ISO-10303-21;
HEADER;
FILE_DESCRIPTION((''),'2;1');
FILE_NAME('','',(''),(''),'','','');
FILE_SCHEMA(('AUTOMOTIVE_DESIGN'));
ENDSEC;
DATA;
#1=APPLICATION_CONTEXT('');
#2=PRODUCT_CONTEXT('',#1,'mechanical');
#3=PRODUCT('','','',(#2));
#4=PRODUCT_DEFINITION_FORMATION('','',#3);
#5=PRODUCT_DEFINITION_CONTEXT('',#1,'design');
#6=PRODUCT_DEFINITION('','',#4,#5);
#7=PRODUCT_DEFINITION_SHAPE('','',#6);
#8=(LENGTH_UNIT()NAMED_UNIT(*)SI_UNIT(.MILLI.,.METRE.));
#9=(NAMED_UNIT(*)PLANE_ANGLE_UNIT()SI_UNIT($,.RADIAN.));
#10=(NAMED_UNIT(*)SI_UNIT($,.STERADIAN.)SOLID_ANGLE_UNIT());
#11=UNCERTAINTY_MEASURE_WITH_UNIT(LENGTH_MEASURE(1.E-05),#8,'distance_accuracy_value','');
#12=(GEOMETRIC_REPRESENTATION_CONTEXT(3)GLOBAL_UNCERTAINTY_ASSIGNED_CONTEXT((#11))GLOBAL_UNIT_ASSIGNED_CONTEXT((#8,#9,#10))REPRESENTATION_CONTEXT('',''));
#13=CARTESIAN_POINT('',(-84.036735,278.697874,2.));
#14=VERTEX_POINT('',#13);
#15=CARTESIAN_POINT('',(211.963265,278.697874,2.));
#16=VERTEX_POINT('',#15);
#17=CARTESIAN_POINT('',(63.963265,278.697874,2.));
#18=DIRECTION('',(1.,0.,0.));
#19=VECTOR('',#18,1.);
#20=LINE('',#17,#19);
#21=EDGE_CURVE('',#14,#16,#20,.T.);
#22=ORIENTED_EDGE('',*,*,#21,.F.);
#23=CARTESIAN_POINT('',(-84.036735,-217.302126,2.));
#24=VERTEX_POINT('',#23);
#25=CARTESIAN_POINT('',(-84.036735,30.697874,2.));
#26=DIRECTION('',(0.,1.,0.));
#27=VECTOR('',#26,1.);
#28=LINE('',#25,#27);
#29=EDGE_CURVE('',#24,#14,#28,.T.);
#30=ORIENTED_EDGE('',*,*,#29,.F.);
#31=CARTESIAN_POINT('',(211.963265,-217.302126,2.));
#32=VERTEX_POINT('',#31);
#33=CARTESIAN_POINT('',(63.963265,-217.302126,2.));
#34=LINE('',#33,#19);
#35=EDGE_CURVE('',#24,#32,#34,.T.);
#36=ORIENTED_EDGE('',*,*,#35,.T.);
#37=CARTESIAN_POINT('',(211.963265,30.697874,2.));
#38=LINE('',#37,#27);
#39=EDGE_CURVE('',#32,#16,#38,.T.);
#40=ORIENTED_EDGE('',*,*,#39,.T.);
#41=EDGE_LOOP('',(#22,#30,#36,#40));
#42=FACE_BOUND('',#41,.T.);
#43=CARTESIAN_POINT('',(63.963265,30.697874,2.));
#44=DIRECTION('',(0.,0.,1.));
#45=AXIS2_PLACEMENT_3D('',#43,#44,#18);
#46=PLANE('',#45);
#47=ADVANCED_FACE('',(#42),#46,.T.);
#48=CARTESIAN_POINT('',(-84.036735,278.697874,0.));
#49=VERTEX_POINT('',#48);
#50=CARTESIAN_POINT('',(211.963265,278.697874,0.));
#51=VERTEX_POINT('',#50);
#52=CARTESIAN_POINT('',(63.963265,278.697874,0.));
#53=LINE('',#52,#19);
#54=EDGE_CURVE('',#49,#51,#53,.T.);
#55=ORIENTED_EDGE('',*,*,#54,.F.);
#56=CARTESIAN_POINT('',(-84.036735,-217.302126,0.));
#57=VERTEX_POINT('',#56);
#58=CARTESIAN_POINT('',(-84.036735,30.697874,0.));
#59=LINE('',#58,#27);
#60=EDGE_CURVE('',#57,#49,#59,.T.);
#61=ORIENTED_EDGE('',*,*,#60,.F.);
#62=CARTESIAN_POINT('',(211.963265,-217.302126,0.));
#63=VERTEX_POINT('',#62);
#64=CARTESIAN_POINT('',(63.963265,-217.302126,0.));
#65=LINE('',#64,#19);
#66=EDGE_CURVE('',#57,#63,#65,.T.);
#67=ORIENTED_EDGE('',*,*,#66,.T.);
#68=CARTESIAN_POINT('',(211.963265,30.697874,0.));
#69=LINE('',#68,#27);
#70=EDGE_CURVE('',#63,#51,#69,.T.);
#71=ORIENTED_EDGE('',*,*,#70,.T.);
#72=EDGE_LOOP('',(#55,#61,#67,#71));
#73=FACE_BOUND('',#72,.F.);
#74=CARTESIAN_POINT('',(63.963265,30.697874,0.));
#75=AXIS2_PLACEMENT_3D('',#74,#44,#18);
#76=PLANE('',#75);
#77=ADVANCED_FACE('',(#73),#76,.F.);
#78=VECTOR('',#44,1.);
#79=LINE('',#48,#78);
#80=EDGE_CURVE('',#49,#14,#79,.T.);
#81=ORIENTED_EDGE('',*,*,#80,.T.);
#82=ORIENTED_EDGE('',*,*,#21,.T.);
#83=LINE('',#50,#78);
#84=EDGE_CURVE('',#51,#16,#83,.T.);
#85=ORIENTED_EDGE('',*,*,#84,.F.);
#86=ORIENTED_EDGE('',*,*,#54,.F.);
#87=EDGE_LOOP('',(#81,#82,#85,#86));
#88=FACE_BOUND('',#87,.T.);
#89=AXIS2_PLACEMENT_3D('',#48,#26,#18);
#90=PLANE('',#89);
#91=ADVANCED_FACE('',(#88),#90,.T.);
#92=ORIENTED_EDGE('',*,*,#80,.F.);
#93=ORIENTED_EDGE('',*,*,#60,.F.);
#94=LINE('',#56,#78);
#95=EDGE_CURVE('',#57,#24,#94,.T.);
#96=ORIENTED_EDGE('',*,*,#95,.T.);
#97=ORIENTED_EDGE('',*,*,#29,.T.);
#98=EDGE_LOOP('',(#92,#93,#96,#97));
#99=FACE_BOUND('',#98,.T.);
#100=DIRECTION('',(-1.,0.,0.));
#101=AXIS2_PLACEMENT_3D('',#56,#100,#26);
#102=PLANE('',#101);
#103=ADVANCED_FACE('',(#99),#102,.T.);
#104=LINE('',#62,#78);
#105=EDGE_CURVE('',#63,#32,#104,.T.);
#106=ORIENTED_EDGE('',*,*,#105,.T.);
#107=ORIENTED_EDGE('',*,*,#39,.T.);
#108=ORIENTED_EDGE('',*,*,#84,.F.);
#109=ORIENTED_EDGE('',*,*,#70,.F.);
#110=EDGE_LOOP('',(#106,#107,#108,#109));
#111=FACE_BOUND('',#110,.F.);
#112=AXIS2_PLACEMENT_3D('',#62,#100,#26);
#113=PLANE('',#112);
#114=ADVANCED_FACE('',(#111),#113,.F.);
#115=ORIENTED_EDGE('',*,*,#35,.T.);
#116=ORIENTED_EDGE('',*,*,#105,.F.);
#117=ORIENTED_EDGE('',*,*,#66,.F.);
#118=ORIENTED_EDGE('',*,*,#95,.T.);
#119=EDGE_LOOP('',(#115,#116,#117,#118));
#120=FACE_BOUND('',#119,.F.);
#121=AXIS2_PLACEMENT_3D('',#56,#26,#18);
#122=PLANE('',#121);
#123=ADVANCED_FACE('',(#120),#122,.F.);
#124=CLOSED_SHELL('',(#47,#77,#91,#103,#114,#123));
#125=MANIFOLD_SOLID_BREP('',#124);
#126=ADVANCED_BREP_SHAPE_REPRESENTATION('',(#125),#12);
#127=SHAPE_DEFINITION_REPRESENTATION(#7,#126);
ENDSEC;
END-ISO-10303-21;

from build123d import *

# Parameters (mm, degrees)
SKETCH1_W           = 296
SKETCH1_H           = 496
BOSS_EXTRUDE1_DEPTH = 2


with BuildPart() as part:
    # Sketch1 → Boss-Extrude1 (new body)
    with BuildSketch(Plane.XY):
        with Locations((63.96326478, 30.697874425)):
            Rectangle(SKETCH1_W, SKETCH1_H)
    extrude(amount=BOSS_EXTRUDE1_DEPTH)


solid = part.part
